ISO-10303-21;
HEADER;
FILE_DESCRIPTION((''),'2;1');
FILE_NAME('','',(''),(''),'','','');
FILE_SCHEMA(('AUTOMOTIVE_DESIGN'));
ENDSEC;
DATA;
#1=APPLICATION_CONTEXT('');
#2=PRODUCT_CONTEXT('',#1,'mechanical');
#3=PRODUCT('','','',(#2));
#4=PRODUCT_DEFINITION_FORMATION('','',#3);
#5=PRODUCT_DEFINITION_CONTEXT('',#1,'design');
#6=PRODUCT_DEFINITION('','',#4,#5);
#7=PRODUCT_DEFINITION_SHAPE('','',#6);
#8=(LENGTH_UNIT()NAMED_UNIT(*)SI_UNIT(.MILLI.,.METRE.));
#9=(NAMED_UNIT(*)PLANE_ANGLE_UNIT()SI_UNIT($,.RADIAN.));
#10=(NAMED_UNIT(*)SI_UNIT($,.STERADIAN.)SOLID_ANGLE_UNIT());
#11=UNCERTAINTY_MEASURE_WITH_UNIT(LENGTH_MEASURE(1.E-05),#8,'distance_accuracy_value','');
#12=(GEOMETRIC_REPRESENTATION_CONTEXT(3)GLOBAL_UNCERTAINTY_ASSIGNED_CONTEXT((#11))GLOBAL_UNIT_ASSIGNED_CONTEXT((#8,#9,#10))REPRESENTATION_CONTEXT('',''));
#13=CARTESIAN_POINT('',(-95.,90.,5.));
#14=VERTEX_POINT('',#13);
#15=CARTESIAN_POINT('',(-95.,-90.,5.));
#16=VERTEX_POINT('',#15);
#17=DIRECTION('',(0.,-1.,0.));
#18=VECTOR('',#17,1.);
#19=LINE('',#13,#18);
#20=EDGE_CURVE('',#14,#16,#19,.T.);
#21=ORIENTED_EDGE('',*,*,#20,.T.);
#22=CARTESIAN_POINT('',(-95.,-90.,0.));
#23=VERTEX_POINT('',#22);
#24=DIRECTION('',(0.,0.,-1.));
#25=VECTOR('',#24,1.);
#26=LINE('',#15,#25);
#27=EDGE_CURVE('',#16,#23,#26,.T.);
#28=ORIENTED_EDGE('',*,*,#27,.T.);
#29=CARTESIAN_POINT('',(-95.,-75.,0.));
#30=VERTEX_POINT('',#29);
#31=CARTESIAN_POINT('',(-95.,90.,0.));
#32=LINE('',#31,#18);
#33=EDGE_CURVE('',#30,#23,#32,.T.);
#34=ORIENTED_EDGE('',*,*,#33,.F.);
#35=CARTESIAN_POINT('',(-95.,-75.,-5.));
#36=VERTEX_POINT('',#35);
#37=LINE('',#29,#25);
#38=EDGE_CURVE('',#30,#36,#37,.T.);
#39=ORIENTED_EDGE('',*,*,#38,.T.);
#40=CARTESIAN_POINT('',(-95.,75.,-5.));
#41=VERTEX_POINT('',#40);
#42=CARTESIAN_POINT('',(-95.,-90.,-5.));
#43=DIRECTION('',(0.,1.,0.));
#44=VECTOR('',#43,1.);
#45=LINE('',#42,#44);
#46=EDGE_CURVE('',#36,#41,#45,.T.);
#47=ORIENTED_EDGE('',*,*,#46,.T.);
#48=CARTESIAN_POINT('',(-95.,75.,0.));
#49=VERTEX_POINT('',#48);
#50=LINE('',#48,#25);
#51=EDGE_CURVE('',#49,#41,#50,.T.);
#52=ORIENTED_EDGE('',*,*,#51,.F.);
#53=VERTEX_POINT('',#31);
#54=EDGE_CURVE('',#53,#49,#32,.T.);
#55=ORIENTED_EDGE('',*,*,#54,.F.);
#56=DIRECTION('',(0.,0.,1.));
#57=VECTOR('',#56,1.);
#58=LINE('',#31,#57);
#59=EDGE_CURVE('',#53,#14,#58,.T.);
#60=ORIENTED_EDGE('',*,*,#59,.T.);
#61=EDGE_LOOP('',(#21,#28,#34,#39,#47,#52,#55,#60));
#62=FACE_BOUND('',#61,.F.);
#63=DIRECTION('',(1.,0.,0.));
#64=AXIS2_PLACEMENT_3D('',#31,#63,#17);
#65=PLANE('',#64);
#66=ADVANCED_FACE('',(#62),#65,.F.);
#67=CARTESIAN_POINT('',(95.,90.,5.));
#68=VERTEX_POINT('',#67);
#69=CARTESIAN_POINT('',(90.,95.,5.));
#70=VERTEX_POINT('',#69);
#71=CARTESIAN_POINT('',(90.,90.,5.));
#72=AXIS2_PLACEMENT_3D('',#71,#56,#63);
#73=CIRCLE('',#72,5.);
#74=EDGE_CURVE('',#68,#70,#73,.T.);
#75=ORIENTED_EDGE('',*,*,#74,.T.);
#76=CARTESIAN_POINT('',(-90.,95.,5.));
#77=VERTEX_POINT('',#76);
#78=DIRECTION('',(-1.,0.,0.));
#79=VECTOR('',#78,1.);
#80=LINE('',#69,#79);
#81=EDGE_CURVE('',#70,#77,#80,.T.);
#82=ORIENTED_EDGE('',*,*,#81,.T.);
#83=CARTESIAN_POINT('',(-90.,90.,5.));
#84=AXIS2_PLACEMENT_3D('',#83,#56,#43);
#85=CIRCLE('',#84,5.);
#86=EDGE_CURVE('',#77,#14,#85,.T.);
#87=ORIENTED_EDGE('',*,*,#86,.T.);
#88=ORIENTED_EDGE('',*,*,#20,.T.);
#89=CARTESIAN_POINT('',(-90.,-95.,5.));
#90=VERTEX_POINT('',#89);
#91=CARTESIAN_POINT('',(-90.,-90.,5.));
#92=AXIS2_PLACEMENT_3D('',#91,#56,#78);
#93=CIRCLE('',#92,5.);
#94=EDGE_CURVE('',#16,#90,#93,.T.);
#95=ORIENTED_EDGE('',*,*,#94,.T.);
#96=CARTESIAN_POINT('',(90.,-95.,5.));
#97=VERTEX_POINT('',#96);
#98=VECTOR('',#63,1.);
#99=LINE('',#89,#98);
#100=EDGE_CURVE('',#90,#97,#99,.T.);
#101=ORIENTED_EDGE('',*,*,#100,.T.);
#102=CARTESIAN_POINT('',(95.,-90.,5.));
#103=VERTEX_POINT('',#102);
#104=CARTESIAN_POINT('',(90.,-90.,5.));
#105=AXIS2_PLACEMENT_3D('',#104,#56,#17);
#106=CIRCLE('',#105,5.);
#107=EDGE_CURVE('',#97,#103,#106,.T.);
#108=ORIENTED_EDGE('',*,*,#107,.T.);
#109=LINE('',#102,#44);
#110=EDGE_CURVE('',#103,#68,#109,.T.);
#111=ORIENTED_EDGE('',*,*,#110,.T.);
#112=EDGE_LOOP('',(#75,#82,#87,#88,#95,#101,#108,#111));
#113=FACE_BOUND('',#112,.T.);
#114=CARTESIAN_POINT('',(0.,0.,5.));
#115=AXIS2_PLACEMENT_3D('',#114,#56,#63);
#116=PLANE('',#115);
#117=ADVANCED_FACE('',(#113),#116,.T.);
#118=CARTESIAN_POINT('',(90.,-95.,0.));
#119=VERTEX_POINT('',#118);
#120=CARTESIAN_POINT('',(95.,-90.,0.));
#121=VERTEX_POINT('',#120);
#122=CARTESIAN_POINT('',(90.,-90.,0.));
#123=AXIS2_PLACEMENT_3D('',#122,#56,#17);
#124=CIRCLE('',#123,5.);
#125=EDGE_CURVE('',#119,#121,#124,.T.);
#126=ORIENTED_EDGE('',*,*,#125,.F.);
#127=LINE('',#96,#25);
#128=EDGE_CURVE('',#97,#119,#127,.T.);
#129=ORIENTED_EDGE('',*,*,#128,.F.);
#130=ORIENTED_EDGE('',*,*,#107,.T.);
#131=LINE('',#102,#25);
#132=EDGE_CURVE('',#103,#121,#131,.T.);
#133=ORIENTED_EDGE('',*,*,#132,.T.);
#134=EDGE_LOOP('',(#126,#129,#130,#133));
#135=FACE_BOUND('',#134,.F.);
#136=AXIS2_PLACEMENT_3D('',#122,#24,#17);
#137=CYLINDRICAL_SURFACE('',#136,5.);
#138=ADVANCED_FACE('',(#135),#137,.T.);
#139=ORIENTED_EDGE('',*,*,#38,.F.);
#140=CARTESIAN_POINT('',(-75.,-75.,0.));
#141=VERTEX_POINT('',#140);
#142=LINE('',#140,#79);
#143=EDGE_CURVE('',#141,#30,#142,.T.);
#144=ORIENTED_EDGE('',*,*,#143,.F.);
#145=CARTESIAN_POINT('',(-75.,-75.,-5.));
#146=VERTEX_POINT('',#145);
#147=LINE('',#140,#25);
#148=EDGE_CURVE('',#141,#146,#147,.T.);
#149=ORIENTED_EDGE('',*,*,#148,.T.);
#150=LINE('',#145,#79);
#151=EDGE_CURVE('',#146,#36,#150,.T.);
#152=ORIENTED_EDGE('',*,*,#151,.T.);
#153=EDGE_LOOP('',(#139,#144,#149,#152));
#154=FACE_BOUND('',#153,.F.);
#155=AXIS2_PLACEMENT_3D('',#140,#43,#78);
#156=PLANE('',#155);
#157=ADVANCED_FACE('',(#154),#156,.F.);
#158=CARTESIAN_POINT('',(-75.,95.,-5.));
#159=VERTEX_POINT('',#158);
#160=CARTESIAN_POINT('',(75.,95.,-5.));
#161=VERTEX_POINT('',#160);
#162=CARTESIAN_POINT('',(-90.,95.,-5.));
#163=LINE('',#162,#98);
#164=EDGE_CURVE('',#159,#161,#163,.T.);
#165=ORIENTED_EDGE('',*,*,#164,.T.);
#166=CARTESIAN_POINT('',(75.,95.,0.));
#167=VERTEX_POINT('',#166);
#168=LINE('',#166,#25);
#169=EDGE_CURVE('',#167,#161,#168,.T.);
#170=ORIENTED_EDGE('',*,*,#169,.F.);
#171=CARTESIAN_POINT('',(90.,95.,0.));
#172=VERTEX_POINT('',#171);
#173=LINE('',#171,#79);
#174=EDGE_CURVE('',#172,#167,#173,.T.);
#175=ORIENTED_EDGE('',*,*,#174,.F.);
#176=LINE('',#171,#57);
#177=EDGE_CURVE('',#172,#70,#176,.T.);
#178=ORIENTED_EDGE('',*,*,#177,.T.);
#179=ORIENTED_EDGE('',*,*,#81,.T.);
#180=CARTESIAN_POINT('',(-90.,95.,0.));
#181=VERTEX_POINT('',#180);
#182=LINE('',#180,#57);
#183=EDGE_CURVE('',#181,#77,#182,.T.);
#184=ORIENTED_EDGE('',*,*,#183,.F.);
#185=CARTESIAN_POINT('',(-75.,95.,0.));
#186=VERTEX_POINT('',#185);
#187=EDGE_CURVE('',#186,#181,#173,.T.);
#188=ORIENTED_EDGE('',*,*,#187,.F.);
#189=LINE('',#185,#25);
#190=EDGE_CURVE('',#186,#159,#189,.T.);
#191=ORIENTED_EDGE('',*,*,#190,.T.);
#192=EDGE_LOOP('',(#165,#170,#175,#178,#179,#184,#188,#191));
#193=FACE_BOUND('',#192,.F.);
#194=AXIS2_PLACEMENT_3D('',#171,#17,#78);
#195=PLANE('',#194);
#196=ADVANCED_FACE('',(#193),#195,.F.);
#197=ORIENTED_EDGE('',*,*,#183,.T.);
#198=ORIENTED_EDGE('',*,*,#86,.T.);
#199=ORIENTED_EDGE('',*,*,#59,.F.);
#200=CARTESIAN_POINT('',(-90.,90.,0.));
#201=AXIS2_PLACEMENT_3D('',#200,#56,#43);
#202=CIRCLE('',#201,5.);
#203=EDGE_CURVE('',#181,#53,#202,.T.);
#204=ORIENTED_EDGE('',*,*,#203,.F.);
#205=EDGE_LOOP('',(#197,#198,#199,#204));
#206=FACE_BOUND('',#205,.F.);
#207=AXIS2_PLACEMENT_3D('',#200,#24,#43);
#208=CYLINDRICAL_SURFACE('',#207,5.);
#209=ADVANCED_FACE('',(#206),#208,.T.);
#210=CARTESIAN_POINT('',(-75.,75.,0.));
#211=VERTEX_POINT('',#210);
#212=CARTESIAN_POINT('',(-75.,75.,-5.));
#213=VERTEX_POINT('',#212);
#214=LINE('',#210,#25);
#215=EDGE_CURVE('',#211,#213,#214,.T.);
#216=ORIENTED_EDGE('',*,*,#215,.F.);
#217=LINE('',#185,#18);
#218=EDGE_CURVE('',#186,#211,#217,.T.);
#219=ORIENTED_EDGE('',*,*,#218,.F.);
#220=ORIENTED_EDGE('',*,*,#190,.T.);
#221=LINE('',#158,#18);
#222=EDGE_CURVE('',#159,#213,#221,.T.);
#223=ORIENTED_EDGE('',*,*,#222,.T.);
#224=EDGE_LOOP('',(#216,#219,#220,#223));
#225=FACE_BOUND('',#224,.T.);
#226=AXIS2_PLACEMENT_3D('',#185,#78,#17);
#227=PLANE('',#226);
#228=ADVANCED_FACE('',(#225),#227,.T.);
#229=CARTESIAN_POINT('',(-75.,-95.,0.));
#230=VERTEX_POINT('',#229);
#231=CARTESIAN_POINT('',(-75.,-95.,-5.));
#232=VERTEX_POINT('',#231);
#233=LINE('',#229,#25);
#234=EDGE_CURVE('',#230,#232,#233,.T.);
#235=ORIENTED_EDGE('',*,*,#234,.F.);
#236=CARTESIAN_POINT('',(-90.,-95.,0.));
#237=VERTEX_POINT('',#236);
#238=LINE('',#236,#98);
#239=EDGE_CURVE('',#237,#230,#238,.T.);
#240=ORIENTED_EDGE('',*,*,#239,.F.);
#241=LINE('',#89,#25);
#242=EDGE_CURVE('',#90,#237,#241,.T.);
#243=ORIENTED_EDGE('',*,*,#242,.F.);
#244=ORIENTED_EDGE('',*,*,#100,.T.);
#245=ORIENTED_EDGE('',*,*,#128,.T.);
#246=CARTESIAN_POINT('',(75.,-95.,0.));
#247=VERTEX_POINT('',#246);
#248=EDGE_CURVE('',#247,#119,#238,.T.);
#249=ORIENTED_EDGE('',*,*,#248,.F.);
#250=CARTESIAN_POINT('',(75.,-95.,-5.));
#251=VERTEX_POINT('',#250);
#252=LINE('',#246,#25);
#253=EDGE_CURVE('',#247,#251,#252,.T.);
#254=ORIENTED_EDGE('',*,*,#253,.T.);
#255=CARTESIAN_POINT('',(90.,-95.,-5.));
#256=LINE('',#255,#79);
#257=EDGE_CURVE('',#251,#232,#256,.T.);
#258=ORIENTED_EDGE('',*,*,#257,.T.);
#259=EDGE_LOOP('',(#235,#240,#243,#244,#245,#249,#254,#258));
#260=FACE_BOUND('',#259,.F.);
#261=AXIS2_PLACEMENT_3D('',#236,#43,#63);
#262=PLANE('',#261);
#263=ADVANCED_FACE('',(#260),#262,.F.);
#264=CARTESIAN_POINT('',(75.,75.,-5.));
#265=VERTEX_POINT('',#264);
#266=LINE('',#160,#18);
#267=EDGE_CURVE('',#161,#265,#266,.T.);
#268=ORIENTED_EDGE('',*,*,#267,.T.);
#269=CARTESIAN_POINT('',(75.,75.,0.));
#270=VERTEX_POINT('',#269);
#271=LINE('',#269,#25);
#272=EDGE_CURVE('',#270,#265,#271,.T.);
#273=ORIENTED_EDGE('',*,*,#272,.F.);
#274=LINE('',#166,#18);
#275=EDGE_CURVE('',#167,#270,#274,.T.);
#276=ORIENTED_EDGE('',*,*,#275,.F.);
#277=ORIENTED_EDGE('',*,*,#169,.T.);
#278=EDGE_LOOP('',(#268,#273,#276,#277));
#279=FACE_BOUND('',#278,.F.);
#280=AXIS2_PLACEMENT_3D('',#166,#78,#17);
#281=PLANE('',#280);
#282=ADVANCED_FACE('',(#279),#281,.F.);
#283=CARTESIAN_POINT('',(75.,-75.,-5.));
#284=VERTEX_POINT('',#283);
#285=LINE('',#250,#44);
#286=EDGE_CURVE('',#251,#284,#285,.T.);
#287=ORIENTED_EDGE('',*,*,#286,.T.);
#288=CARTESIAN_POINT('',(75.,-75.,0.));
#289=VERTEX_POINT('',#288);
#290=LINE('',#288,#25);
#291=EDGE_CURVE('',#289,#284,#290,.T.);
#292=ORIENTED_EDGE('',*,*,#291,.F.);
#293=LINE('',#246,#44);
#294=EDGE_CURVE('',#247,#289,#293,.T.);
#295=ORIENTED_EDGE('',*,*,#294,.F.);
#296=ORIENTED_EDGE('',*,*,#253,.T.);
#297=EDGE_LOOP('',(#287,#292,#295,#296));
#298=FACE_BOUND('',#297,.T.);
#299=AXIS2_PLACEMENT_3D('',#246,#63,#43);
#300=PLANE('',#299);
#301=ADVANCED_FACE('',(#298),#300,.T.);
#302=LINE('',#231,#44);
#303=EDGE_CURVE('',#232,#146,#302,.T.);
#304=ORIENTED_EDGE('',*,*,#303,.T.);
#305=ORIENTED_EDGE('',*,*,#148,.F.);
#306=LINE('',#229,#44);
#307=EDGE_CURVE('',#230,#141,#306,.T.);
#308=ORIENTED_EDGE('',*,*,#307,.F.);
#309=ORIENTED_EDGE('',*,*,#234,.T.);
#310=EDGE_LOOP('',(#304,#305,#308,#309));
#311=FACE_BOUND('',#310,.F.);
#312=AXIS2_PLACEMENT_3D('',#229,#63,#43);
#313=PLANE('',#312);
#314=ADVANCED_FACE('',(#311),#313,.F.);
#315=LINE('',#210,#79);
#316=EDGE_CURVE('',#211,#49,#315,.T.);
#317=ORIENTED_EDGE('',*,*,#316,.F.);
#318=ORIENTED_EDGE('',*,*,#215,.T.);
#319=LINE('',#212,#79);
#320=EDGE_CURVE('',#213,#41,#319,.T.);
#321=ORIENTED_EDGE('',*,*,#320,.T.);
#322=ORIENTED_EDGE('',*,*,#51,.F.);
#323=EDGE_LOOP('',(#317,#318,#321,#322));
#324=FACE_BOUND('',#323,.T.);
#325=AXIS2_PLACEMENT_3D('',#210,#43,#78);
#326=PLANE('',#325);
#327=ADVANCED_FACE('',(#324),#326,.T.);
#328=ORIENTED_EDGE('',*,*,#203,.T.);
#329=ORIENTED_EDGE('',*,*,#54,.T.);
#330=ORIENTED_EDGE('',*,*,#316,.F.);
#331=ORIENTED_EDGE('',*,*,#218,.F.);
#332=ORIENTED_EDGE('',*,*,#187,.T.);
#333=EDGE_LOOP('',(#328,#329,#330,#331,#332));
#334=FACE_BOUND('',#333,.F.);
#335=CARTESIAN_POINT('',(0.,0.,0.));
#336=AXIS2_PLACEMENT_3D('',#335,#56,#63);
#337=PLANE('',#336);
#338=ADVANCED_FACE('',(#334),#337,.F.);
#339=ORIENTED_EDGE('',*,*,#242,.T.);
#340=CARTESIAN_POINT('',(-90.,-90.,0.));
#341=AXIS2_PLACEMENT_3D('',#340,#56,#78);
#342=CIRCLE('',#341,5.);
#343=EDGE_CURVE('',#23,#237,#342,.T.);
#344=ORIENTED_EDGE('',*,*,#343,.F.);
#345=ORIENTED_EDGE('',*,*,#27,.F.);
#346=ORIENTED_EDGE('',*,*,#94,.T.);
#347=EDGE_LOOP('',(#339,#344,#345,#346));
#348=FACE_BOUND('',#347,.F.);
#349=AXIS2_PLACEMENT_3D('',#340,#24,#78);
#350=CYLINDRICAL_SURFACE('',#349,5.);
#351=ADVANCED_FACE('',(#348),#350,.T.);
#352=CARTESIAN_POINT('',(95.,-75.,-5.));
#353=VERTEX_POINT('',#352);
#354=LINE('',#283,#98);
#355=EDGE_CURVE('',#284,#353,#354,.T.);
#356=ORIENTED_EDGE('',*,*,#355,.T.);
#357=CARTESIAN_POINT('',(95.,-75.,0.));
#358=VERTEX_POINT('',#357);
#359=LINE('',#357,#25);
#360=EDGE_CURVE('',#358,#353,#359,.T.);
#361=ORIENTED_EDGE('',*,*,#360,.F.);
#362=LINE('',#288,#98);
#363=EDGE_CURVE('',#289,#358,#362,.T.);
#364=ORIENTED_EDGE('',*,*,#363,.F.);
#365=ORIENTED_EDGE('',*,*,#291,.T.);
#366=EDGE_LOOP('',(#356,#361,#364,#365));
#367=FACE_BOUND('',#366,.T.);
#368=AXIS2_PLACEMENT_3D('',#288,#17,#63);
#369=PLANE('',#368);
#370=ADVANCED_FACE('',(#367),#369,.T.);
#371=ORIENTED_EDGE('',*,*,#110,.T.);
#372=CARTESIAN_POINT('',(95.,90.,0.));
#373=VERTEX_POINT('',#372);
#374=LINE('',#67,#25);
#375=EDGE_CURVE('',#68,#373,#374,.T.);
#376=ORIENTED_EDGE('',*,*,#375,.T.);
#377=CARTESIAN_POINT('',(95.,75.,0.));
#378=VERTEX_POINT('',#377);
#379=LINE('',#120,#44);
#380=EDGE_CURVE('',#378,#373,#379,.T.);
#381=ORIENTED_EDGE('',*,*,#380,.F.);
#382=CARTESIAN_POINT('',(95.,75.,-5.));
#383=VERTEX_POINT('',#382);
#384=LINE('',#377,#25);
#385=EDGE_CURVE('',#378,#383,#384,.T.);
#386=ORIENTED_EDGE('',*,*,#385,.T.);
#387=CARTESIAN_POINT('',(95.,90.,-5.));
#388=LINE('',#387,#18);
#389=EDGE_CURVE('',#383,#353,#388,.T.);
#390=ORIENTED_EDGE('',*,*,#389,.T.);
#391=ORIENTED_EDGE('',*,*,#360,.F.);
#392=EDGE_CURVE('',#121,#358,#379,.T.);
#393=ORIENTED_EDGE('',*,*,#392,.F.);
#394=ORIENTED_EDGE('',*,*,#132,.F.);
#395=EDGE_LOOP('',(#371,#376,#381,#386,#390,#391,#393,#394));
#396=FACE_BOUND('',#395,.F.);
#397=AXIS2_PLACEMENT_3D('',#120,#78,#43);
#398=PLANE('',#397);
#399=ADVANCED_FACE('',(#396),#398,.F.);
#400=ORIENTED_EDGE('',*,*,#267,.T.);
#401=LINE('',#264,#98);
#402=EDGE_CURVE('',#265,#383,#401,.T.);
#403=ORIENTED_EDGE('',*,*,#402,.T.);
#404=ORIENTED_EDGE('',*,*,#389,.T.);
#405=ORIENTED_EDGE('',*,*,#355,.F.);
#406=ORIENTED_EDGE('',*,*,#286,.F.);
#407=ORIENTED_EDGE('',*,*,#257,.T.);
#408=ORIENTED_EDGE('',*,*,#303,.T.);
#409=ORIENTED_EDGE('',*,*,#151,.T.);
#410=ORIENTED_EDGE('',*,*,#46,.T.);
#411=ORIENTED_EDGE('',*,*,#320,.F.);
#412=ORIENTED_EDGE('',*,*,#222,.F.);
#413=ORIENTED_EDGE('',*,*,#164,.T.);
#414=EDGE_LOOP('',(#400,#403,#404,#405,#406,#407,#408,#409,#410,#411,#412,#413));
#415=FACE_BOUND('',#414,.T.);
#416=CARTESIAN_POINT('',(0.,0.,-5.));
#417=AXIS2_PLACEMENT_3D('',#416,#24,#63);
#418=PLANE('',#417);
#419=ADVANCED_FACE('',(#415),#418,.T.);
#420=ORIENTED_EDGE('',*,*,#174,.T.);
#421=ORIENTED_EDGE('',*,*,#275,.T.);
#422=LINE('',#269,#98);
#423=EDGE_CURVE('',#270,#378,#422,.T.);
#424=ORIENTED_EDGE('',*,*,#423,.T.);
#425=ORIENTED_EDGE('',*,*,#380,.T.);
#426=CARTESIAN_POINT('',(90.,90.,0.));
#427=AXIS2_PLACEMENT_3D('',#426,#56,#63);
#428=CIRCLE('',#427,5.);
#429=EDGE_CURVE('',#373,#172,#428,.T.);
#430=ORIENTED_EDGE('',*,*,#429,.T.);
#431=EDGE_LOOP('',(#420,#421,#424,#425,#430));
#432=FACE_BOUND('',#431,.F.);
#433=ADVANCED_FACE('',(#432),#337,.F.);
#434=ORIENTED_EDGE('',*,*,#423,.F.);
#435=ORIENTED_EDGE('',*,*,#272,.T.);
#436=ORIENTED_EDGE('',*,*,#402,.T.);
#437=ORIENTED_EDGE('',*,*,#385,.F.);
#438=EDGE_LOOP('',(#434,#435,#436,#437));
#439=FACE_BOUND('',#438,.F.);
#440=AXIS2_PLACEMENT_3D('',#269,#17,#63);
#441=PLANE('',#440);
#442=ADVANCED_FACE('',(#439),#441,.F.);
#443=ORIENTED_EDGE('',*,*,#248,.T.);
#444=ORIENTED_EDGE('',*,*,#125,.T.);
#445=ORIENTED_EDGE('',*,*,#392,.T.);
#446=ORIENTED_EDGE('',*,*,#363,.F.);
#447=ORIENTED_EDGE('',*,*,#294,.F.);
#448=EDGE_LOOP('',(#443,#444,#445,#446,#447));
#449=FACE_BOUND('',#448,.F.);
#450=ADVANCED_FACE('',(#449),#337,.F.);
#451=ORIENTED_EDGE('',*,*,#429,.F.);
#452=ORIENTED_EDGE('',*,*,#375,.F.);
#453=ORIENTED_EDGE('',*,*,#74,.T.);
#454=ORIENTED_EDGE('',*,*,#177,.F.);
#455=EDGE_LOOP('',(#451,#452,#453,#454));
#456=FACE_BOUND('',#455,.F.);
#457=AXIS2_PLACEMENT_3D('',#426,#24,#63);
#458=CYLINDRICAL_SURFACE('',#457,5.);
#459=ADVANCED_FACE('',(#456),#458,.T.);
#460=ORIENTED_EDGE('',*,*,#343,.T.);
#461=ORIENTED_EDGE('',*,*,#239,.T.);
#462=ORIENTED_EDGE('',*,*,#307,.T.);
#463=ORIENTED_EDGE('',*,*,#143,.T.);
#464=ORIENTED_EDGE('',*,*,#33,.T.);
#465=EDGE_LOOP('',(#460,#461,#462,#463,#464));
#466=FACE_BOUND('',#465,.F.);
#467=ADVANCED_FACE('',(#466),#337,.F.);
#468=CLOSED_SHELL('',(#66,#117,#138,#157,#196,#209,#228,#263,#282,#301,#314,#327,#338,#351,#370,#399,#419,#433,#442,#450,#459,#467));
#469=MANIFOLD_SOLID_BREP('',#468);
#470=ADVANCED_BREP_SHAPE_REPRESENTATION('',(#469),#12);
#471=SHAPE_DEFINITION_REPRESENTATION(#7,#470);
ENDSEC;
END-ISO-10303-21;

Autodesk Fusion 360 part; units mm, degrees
sketch "Sketch1" plane through (0, 0, 0) normal (0, 0, 1) x (1, 0, 0)
  line L0 (-25, 25) -> (25, 25)
  line L1 (25, 25) -> (25, -25)
  line L2 (25, -25) -> (-25, -25)
  line L3 (-25, -25) -> (-25, 25)
  dimension "d1" = 25
  dimension "d2" = 25
  dimension "d3" = 25
  dimension "d4" = 25
extrude "Extrude1" add sketch "Sketch1" along normal blind 1.6
equation "d2 = d1"
equation "d3 = d1"
equation "d4 = d1"

Autodesk Fusion 360 part; units mm, degrees
sketch "Sketch1" plane through (0, 0, 0) normal (0, 0, 1) x (1, 0, 0)
  line L0 (90, 95) -> (-90, 95)
  line L1 (-95, 90) -> (-95, -90)
  line L2 (-90, -95) -> (90, -95)
  line L3 (95, -90) -> (95, 90)
  arc A0 (95, 90) -> (90, 95) centre (90, 90) ccw
  arc A1 (-90, 95) -> (-95, 90) centre (-90, 90) ccw
  arc A2 (-95, -90) -> (-90, -95) centre (-90, -90) ccw
  arc A3 (90, -95) -> (95, -90) centre (90, -90) ccw
  point P0 (95, 95)
  point P1 (-95, 95)
  point P2 (95, -95)
  dimension "d1" = 190
  dimension "d2" = 190
  dimension "d3" = 95
  dimension "d4" = 95
  dimension "d5" = 5
extrude "Extrude1" add sketch "Sketch1" along normal blind 5
sketch "Sketch2" plane through (0, 0, 0) normal (0, 0, -1) x (1, 0, 0)
  arc A0 (95, 90) -> (90, 95) centre (90, 90) ccw
  line L0 (90, 95) -> (-90, 95)
  arc A1 (-90, 95) -> (-95, 90) centre (-90, 90) ccw
  line L1 (-95, 90) -> (-95, -90)
  arc A2 (-95, -90) -> (-90, -95) centre (-90, -90) ccw
  line L2 (-90, -95) -> (90, -95)
  arc A3 (90, -95) -> (95, -90) centre (90, -90) ccw
  line L3 (95, -90) -> (95, 90)
  line L4 (-95, 95) -> (95, 95)
  line L5 (95, 95) -> (95, -95)
  line L6 (95, -95) -> (-95, -95)
  line L7 (-95, -95) -> (-95, 95)
  line L8 (95, -95) -> (75, -95)
  line L9 (75, -95) -> (75, -75)
  line L10 (75, -75) -> (95, -75)
  line L11 (95, -75) -> (95, -95)
  line L12 (-95, -95) -> (-75, -95)
  line L13 (-75, -95) -> (-75, -75)
  line L14 (-75, -75) -> (-95, -75)
  line L15 (-95, -75) -> (-95, -95)
  line L16 (95, 95) -> (75, 95)
  line L17 (75, 95) -> (75, 75)
  line L18 (75, 75) -> (95, 75)
  line L19 (95, 75) -> (95, 95)
  line L20 (-95, 95) -> (-75, 95)
  line L21 (-75, 95) -> (-75, 75)
  line L22 (-75, 75) -> (-95, 75)
  line L23 (-95, 75) -> (-95, 95)
  dimension "d8" = 20
  dimension "d9" = 20
extrude "Extrude2" add sketch "Sketch2" along normal blind 5 contours L0 L1 L2 L3 L4 L5 L6 L7 L9 L10 L13 L14 L17 L18 L21 L22
equation "d2 = d1"
equation "d3 = d1 / 2"
equation "d4 = d1 / 2"
